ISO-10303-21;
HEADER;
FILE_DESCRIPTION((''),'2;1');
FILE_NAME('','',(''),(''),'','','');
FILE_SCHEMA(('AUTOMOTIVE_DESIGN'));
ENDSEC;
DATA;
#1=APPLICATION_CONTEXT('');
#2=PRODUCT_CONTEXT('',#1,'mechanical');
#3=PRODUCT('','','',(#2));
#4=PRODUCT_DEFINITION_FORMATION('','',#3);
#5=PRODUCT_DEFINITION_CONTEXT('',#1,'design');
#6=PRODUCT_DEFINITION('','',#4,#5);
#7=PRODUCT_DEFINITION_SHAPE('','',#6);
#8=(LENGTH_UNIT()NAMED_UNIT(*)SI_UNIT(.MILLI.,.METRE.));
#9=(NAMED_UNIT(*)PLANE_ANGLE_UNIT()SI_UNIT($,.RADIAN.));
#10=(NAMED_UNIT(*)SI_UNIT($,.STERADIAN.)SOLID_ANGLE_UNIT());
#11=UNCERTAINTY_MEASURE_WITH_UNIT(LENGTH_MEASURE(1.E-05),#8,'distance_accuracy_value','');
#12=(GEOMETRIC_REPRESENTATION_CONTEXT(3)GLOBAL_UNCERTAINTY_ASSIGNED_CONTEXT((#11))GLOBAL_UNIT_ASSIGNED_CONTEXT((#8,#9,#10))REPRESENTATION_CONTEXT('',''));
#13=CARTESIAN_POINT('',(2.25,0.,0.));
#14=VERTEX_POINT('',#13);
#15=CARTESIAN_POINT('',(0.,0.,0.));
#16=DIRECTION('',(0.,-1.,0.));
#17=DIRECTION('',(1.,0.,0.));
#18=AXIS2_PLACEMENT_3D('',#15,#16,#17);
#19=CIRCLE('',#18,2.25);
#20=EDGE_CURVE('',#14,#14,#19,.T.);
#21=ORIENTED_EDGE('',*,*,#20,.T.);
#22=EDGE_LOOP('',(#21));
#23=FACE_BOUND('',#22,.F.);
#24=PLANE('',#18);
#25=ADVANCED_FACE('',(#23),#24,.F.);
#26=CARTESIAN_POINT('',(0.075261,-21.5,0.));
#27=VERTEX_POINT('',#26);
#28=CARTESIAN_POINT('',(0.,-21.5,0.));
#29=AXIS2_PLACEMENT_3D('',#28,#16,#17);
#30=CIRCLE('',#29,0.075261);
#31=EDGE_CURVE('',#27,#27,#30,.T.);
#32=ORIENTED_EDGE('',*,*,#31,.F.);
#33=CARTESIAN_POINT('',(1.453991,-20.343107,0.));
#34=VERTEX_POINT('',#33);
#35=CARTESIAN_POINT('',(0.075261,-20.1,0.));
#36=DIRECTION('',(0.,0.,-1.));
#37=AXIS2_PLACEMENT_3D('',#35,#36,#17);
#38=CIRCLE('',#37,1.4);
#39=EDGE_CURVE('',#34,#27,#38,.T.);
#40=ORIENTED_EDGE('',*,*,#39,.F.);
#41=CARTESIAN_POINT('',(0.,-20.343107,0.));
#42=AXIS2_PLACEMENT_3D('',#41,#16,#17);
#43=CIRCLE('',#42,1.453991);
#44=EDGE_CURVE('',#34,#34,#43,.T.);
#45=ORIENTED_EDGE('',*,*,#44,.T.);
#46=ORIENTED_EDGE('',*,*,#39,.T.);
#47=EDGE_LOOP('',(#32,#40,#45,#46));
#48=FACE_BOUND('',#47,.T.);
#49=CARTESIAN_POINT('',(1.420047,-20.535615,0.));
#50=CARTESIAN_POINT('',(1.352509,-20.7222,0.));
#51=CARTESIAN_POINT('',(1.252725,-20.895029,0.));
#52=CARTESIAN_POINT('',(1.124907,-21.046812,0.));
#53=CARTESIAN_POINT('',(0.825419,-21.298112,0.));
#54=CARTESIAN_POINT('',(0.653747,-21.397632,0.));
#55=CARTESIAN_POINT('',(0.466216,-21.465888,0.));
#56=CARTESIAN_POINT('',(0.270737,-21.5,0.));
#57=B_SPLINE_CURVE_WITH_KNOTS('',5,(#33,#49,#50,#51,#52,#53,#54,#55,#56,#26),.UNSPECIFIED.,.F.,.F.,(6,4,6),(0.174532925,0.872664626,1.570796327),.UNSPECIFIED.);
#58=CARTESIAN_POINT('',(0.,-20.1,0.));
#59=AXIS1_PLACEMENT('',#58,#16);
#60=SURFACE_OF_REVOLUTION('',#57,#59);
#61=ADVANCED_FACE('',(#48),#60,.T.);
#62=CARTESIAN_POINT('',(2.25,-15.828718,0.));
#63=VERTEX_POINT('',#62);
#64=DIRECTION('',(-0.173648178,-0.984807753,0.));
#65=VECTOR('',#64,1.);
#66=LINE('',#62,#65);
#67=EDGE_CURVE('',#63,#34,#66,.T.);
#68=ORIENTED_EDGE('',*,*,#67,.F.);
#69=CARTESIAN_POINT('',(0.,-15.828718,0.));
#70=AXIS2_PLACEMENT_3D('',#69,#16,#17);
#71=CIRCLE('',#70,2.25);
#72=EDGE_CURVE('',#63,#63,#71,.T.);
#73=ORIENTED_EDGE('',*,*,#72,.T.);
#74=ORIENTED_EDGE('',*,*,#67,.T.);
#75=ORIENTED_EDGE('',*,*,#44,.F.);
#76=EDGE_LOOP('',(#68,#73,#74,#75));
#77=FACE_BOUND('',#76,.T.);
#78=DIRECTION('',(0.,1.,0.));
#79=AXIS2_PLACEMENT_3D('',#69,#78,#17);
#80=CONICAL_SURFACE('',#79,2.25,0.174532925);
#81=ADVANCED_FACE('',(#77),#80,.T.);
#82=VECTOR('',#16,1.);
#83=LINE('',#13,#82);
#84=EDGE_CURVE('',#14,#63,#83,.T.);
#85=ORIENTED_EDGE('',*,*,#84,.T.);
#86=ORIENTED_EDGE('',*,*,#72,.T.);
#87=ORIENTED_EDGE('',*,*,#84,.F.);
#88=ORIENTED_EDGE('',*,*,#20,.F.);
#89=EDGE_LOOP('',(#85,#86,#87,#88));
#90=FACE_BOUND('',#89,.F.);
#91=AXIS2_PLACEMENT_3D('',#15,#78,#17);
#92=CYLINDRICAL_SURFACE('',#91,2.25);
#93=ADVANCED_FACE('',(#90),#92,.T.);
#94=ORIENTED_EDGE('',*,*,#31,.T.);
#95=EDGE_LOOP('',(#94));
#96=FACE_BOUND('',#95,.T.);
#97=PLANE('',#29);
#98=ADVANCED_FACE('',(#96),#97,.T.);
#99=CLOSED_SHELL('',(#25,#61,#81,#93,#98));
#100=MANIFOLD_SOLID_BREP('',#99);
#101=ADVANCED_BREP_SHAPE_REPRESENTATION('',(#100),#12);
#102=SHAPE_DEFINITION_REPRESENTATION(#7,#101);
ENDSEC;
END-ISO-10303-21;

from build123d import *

# Parameters (mm, degrees)
F0_R     = 2.25
F1_DEPTH = 21.5
F2_SIZE2 = 1
F2_SIZE  = 5.6712818196
F3_R     = 1.4


with BuildPart() as f1:
    # F0 (on Front) → F1 (new body)
    with BuildSketch(Plane.XZ):
        Circle(F0_R)
    extrude(amount=F1_DEPTH)

    # F2
    f2_edges = [f1.edges().sort_by_distance(p)[0] for p in [
        (-2.25, -21.5, 0),
    ]]
    f2_side = f1.faces().sort_by_distance((-2.25, -10.75, 0))[0]
    chamfer(f2_edges, length=F2_SIZE, length2=F2_SIZE2, reference=f2_side)

    # F3
    f3_edges = [f1.edges().sort_by_distance(p)[0] for p in [
        (-1.25, -21.5, 0),
    ]]
    fillet(f3_edges, radius=F3_R)


solid = f1.part
